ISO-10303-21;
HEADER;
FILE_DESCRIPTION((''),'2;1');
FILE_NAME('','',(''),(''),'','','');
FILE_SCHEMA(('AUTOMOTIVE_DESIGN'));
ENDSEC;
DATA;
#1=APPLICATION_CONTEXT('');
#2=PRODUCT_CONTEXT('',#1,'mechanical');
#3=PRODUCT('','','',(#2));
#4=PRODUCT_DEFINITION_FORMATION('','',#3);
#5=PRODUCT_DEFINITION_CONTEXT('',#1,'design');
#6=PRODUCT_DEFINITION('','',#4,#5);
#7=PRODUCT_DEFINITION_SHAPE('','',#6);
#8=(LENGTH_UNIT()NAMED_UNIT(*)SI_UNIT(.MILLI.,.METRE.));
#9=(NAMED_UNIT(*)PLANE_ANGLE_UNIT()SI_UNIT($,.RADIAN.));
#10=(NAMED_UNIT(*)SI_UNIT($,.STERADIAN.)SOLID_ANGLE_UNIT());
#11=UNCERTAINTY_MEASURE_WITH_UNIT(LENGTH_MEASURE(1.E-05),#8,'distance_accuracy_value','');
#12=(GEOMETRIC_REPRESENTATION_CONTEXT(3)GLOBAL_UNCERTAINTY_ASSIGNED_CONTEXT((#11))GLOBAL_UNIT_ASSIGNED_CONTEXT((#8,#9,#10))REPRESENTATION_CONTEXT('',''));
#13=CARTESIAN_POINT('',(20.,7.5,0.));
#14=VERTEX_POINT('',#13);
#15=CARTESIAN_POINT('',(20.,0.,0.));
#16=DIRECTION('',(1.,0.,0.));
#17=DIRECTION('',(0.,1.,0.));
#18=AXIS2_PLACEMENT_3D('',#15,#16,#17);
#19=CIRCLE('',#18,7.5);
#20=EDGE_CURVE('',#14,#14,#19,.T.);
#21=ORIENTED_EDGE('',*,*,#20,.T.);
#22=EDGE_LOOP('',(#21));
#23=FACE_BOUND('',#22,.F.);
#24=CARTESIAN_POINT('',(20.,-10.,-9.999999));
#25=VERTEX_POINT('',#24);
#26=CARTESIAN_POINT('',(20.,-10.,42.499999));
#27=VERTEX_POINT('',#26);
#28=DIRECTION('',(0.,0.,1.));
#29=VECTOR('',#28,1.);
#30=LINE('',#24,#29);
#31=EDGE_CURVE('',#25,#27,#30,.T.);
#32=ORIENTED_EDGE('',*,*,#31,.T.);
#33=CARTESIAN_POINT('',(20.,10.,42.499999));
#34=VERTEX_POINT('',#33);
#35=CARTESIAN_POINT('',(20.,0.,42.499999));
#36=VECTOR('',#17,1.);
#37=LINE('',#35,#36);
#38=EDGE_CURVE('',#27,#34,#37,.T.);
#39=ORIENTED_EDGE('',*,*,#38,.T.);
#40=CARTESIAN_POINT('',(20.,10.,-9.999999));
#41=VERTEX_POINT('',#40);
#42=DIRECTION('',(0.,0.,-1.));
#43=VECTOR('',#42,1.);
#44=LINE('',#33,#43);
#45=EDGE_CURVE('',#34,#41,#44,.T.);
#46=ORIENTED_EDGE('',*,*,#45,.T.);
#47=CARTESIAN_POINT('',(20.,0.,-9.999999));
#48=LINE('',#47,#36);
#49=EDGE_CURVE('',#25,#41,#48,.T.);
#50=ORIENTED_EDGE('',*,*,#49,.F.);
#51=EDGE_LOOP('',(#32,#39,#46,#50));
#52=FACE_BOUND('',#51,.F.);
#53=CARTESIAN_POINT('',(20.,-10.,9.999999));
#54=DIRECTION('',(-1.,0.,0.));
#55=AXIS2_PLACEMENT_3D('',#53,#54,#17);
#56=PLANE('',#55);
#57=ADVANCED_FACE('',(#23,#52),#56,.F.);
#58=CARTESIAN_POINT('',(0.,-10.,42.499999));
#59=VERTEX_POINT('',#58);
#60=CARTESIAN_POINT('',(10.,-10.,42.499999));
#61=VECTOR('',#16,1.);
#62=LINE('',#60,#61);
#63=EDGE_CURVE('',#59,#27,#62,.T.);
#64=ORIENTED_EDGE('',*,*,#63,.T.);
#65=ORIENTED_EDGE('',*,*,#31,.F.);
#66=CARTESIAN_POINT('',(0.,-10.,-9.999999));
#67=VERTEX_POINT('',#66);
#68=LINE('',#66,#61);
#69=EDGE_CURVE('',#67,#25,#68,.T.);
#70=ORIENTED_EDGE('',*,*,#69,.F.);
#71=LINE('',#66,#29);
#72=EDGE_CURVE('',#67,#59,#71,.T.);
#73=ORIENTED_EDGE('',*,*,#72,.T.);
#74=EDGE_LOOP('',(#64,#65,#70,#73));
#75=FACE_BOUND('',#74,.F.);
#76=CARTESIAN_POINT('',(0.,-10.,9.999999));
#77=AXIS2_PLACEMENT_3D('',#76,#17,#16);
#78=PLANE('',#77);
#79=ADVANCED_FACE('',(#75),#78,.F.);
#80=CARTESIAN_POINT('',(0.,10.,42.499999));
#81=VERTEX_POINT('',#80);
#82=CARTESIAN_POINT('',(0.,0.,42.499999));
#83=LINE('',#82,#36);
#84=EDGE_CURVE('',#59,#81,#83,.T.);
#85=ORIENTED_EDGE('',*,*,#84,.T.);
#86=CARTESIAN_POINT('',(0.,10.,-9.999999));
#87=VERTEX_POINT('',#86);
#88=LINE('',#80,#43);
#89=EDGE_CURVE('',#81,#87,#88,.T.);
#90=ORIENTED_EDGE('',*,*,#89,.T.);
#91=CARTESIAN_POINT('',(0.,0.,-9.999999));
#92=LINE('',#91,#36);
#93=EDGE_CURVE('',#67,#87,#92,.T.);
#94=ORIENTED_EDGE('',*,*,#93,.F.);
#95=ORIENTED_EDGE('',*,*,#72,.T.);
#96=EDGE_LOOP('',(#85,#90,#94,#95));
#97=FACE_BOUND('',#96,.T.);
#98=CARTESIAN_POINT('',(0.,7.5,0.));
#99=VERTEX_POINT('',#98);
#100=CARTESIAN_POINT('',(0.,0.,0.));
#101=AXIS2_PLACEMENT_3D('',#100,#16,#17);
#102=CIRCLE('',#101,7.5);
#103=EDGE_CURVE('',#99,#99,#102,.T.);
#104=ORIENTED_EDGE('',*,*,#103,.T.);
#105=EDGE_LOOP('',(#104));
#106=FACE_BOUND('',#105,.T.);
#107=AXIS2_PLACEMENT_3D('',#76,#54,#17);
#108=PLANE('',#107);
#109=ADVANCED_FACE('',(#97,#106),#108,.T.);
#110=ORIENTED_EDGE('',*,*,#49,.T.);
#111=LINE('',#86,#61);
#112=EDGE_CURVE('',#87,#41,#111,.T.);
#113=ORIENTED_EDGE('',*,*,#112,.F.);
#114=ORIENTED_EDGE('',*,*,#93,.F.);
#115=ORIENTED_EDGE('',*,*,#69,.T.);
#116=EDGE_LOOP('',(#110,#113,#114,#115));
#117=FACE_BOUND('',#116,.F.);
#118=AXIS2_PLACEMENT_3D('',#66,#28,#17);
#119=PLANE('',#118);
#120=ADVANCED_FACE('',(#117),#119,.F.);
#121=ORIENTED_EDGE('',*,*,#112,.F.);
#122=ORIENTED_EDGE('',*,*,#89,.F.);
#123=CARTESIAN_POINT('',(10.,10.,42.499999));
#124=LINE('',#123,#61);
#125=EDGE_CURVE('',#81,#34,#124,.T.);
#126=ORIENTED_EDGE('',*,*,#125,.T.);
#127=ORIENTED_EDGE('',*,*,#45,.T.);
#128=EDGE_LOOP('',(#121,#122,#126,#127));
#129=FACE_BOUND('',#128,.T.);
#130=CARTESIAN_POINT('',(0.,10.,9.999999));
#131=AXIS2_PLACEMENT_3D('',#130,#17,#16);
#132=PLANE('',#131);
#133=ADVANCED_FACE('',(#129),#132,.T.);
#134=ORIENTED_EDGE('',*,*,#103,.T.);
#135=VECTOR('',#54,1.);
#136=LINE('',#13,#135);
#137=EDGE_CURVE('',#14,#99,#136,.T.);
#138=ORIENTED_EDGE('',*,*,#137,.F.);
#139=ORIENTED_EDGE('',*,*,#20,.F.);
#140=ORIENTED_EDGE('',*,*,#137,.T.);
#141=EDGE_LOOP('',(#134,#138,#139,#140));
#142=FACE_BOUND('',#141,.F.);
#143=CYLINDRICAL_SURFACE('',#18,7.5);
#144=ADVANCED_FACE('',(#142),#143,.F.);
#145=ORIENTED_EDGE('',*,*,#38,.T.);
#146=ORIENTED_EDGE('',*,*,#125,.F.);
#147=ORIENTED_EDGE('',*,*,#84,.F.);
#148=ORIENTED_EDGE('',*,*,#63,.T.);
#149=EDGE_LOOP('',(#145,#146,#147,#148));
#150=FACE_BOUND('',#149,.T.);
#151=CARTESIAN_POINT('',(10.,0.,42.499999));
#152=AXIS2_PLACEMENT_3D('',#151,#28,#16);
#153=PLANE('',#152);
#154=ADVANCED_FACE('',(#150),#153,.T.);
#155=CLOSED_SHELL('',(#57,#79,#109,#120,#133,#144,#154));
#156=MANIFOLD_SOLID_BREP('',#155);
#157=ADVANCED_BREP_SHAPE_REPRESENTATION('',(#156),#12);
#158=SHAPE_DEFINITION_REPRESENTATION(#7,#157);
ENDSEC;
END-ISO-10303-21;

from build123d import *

# Parameters (mm, degrees)
F0_W     = 20
F0_H     = 19.999998
F1_DEPTH = 20
F2_R     = 7.5
F3_DEPTH = 20.001
F4_W     = 20
F4_H     = 20
F5_DEPTH = 32.5


with BuildPart() as f1:
    # F0 (on Right) → F1 (new body)
    with BuildSketch(Plane.YZ):
        Rectangle(F0_W, F0_H)
    extrude(amount=F1_DEPTH)

    # F2 (on face) → F3 (cut, through all)
    with BuildSketch(Plane.YZ.offset(20)):
        Circle(F2_R)
    extrude(amount=-F3_DEPTH, mode=Mode.SUBTRACT)

    # F4 (on face) → F5 (join)
    with BuildSketch(Plane.XY.offset(9.999999)):
        with Locations((10, 0)):
            Rectangle(F4_W, F4_H)
    extrude(amount=F5_DEPTH)


solid = f1.part
